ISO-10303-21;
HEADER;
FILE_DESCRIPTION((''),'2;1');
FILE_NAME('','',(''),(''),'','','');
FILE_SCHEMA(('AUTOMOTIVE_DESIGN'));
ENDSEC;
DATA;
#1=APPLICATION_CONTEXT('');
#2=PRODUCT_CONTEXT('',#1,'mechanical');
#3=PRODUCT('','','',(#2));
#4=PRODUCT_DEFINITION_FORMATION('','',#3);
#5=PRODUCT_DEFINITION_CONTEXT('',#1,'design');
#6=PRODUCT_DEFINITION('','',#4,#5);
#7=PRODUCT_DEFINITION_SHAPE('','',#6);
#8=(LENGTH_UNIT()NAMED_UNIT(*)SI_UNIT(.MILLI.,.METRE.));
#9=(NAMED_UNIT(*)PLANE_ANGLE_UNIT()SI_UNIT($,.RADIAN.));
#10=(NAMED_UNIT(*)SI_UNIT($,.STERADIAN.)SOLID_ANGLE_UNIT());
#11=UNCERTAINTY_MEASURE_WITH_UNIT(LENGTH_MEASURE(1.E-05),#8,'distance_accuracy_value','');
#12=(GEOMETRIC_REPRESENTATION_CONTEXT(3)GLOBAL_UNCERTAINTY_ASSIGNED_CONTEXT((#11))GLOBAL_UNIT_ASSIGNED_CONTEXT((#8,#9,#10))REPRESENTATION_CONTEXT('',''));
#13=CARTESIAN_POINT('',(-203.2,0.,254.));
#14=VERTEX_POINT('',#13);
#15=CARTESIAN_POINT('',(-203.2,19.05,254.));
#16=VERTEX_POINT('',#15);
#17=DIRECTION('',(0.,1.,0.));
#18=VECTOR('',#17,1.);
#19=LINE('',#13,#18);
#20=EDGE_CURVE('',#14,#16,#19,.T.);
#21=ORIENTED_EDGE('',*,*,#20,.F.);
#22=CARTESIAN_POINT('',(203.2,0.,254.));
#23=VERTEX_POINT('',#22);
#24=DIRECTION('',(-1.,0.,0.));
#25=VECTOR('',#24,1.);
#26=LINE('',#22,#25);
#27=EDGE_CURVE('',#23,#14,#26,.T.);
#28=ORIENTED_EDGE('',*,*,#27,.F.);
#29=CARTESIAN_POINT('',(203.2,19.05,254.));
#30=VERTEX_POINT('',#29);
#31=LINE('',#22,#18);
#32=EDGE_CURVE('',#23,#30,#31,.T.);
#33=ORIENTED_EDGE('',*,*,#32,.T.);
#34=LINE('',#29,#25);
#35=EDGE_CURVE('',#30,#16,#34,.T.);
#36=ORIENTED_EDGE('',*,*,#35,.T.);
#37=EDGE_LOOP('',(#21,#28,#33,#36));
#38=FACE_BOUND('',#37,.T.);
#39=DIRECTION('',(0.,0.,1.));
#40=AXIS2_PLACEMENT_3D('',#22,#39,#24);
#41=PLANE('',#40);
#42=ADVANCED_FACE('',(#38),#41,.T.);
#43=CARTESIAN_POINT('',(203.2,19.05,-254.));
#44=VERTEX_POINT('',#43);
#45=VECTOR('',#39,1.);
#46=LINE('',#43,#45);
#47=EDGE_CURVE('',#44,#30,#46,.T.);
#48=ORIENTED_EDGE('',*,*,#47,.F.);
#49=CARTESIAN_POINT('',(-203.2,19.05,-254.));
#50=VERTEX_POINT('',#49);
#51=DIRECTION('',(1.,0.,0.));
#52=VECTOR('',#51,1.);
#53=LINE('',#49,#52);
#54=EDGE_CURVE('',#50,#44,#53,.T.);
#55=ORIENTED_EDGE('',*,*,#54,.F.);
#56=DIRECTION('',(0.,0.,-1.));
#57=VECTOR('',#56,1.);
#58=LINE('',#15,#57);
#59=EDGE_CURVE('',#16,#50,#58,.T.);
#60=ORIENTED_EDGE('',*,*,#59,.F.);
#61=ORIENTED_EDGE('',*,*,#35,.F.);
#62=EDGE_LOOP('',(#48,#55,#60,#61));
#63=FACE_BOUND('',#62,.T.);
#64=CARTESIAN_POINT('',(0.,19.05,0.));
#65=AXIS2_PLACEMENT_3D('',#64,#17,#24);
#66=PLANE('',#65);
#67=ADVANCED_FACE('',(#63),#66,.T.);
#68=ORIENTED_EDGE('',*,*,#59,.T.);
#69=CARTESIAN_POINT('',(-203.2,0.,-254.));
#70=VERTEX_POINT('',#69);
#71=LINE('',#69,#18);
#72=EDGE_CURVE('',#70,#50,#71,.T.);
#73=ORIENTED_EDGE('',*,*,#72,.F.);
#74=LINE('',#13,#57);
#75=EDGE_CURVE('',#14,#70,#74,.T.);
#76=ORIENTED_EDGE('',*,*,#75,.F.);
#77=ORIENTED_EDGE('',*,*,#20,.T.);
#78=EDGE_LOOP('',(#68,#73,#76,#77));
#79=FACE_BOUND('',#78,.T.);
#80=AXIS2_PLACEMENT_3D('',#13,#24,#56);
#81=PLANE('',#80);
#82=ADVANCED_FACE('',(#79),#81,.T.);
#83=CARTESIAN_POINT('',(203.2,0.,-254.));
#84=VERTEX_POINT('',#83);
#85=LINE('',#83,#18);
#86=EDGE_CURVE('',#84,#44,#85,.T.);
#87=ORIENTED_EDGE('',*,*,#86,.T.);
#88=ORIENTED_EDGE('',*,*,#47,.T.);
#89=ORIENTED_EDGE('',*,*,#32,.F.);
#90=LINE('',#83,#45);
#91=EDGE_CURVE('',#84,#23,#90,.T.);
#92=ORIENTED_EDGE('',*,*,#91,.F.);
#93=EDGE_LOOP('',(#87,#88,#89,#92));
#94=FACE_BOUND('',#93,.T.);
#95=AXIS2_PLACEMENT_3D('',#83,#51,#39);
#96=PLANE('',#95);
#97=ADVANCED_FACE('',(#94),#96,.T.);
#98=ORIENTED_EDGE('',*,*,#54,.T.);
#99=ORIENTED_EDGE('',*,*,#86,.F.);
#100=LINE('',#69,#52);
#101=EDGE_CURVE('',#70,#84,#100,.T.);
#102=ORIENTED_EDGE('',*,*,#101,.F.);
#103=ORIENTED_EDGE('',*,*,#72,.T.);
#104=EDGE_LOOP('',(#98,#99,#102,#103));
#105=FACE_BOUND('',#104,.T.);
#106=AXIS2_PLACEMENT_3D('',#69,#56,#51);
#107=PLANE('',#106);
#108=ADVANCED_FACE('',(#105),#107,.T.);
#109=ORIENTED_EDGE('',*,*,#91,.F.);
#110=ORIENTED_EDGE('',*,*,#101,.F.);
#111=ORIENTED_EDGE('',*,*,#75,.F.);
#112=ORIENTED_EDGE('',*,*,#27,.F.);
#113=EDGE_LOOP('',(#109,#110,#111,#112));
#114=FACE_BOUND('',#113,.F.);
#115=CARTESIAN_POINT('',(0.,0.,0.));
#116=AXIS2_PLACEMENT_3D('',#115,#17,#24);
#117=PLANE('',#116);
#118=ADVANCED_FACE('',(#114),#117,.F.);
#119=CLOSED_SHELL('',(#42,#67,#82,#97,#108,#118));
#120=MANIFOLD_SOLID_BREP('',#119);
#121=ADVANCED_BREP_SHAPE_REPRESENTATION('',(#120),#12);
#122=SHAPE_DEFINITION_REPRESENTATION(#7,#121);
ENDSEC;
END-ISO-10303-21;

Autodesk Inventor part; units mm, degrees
ref_plane "YZ Plane" through (0, 0, 0) normal (1, 0, 0) x (0, 1, 0)
ref_plane "XZ Plane" through (0, 0, 0) normal (0, 1, 0) x (-1, 0, 0)
ref_plane "XY Plane" through (0, 0, 0) normal (0, 0, 1) x (1, 0, 0)
sketch "Sketch1" plane through (0, 0, 0) normal (0, 1, 0) x (-1, 0, 0)
  line L0 (-203.2, 254) -> (203.2, 254)
  line L1 (203.2, 254) -> (203.2, -254)
  line L2 (203.2, -254) -> (-203.2, -254)
  line L3 (-203.2, -254) -> (-203.2, 254)
  line L4 (-203.2, 254) -> (203.2, -254) construction
  line L5 (203.2, 254) -> (-203.2, -254) construction
  point P0 (0, 0)
  dimension "d0" = 406.4
  dimension "d1" = 508
extrude "Extrusion1" add sketch "Sketch1" along normal blind 19.05
sketch "Sketch2" plane through (0, 19.05, 0) normal (0, 1, 0) x (1, 0, 0)
  circle A0 centre (36.5125, -50.8) radius 1.5875
  circle A1 centre (-63.5, -50.8) radius 1.5875
  circle A2 centre (36.5125, 49.2125) radius 1.5875
  circle A3 centre (-63.5, 49.2125) radius 1.5875
  line L0 (203.2, -254) -> (203.2, 254) projected
  line L1 (203.2, -254) -> (-203.2, -254) projected
  point P0 (0, 0)
  dimension "d4" = 166.6875
  dimension "d5" = 203.2
  dimension "d6" = 100.0125
  dimension "d7" = 100.0125
  dimension "d9" = 3.175
  dimension "d10" = 3.175
  dimension "d11" = 3.175
  dimension "d12" = 3.175
properties part number "support platforms (for assembly)"
